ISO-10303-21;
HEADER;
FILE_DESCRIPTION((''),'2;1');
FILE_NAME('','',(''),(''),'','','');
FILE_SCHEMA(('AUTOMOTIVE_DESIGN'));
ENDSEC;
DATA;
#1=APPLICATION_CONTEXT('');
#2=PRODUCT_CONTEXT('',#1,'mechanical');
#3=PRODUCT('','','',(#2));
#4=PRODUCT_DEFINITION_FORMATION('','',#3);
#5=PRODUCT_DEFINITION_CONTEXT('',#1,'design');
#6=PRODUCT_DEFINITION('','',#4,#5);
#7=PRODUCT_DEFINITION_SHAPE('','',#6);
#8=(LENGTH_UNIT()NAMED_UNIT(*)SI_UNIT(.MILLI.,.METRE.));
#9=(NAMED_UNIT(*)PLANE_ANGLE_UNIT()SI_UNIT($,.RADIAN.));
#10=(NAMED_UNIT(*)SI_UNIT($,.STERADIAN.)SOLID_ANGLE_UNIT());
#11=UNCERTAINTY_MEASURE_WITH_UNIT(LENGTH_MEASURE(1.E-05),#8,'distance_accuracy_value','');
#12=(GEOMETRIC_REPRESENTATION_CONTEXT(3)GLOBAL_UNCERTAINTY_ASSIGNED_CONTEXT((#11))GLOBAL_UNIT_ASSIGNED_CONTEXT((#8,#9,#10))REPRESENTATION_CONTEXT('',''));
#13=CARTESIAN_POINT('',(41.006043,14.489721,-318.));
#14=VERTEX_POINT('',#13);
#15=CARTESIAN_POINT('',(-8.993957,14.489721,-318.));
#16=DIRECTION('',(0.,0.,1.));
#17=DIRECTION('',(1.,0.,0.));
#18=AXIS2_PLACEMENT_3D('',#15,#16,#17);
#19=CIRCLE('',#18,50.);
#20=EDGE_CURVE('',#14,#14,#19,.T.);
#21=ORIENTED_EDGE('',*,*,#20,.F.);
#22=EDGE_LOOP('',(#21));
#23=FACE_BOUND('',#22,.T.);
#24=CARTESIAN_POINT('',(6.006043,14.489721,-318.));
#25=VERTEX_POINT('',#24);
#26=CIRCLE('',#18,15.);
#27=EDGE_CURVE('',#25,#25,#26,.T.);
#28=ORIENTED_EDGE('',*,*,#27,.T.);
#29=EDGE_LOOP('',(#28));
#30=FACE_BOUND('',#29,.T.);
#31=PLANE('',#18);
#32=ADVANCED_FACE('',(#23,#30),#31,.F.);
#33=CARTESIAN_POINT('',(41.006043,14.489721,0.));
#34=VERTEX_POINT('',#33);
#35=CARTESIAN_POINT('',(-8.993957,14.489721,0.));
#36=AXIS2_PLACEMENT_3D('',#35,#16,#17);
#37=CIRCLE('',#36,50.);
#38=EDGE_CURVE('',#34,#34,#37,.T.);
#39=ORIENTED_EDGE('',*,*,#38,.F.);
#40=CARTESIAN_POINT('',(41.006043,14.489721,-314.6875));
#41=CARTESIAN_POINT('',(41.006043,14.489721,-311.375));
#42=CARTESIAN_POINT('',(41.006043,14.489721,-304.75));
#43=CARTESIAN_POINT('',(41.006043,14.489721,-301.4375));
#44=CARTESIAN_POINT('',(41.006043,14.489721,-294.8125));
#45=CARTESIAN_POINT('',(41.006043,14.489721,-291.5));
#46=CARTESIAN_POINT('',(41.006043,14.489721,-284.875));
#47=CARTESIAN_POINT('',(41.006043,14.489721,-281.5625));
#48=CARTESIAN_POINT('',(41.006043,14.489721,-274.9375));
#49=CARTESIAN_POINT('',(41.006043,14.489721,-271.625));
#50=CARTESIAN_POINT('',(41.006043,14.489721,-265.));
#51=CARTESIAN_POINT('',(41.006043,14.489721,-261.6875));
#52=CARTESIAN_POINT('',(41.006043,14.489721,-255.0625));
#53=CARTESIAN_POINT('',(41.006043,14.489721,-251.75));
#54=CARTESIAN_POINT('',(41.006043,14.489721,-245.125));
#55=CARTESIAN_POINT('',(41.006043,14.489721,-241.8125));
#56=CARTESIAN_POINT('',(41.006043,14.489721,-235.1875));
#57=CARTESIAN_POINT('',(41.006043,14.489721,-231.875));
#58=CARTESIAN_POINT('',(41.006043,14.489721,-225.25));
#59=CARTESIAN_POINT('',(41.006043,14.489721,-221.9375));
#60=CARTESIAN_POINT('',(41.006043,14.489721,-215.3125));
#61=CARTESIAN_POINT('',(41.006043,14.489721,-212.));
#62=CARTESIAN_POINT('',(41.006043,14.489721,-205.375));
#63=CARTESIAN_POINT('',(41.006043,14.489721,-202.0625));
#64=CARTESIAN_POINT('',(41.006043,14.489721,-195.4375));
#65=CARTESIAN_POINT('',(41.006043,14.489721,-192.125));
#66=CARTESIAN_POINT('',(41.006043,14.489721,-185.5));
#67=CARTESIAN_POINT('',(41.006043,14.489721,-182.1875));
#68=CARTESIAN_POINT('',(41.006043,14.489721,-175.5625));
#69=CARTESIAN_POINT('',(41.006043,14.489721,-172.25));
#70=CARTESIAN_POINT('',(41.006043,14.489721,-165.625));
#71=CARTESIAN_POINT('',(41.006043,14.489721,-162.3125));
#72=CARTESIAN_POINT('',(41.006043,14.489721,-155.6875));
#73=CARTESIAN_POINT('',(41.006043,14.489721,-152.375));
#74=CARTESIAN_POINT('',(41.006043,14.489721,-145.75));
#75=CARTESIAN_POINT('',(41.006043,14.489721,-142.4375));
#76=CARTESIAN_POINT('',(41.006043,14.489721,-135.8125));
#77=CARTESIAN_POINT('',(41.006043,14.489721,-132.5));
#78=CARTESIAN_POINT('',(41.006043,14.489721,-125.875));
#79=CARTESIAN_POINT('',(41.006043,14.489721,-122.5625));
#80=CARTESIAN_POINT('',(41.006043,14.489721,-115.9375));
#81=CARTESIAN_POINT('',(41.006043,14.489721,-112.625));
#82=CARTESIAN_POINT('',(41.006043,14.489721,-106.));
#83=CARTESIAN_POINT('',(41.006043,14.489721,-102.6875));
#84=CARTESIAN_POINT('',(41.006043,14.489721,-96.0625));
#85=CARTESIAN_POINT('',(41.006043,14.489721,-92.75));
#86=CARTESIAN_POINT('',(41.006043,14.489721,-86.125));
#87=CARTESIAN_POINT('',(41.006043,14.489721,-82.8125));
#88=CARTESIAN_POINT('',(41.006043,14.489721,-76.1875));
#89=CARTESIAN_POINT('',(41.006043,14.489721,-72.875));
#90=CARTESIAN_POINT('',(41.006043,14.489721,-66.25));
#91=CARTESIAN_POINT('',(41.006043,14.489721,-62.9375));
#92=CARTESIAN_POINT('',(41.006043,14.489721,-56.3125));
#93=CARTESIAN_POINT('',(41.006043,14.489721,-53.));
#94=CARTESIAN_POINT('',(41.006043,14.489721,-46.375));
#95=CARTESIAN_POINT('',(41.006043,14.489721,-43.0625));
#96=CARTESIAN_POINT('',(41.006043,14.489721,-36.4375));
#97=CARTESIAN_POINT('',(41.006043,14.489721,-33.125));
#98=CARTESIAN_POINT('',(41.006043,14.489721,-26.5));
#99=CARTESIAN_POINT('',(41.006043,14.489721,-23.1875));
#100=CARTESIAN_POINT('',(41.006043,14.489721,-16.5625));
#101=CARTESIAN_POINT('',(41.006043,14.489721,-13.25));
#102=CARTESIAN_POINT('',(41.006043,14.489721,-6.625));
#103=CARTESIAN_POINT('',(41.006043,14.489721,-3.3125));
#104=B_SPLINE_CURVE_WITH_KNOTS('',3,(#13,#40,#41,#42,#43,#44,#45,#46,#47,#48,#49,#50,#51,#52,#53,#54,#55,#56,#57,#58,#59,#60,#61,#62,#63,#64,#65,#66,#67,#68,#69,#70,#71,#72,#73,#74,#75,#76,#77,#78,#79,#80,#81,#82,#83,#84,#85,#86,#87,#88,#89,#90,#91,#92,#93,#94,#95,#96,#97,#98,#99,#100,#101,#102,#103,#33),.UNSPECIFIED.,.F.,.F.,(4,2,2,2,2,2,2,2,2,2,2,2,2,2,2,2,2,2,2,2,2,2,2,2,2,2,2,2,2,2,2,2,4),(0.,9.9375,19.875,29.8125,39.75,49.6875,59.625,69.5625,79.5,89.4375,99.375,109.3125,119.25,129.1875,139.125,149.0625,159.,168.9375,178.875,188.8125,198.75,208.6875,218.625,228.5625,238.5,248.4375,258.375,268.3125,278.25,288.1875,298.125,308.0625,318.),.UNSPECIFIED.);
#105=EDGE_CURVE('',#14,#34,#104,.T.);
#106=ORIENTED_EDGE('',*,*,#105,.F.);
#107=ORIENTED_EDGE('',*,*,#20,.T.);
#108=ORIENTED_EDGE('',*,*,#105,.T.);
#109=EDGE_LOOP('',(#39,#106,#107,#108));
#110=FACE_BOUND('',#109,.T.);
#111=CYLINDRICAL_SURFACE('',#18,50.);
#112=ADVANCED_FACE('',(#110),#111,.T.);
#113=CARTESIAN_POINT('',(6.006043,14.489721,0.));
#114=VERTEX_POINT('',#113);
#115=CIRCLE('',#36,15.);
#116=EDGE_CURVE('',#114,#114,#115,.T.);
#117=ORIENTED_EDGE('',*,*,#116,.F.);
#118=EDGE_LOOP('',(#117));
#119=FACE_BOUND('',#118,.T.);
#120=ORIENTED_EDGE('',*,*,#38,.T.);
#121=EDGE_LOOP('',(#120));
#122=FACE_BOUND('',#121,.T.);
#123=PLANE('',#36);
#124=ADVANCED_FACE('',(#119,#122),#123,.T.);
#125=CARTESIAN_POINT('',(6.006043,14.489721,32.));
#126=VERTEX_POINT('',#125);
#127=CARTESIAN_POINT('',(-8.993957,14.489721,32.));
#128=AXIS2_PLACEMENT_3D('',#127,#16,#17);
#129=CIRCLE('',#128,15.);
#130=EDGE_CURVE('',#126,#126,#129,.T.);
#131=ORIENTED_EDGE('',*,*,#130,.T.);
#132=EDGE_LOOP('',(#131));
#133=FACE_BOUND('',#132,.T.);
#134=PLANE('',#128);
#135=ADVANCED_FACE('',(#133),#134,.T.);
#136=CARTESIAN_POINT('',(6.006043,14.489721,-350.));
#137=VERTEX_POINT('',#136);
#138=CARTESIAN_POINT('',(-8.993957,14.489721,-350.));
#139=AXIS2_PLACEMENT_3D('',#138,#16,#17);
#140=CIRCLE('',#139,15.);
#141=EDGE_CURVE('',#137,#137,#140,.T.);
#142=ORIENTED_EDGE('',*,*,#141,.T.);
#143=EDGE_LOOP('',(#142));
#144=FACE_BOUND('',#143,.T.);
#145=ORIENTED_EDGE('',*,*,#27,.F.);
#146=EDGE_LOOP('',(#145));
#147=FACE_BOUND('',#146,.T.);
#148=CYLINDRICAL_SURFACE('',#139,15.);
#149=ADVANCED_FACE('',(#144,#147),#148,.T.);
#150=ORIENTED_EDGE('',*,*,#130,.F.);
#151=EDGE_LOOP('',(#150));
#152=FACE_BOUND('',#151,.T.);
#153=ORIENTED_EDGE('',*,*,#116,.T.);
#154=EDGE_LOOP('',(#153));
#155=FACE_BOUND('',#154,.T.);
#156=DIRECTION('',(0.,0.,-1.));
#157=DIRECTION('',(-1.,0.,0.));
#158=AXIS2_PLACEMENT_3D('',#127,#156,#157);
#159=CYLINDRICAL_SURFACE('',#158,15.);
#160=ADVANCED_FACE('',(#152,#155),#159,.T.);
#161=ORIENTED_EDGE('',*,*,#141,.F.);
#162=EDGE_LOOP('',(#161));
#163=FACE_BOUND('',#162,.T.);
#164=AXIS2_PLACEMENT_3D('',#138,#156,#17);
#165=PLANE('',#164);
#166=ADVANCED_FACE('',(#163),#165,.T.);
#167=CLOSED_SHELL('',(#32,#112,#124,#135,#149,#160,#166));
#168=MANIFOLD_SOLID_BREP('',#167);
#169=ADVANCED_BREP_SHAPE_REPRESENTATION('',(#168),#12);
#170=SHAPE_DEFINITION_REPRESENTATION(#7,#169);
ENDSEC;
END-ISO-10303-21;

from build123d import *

# Parameters (mm, degrees)
SKETCH1_R           = 50
BOSS_EXTRUDE1_DEPTH = 318
SKETCH2_R           = 15
BOSS_EXTRUDE2_DEPTH = 32


with BuildPart() as part:
    # Sketch1 → Boss-Extrude1 (new body)
    with BuildSketch(Plane.XY):
        with Locations((-8.993956806, 14.489721156)):
            Circle(SKETCH1_R)
    extrude(amount=-BOSS_EXTRUDE1_DEPTH)

    # Sketch2 → Boss-Extrude2 (add)
    with BuildSketch(Plane.XY):
        with Locations((-8.993956806, 14.489721156)):
            Circle(SKETCH2_R)
    boss_extrude2 = extrude(amount=BOSS_EXTRUDE2_DEPTH)

    # Mirror1: Boss-Extrude2 across plane
    add(boss_extrude2.mirror(Plane.XY.offset(-159)))


solid = part.part
